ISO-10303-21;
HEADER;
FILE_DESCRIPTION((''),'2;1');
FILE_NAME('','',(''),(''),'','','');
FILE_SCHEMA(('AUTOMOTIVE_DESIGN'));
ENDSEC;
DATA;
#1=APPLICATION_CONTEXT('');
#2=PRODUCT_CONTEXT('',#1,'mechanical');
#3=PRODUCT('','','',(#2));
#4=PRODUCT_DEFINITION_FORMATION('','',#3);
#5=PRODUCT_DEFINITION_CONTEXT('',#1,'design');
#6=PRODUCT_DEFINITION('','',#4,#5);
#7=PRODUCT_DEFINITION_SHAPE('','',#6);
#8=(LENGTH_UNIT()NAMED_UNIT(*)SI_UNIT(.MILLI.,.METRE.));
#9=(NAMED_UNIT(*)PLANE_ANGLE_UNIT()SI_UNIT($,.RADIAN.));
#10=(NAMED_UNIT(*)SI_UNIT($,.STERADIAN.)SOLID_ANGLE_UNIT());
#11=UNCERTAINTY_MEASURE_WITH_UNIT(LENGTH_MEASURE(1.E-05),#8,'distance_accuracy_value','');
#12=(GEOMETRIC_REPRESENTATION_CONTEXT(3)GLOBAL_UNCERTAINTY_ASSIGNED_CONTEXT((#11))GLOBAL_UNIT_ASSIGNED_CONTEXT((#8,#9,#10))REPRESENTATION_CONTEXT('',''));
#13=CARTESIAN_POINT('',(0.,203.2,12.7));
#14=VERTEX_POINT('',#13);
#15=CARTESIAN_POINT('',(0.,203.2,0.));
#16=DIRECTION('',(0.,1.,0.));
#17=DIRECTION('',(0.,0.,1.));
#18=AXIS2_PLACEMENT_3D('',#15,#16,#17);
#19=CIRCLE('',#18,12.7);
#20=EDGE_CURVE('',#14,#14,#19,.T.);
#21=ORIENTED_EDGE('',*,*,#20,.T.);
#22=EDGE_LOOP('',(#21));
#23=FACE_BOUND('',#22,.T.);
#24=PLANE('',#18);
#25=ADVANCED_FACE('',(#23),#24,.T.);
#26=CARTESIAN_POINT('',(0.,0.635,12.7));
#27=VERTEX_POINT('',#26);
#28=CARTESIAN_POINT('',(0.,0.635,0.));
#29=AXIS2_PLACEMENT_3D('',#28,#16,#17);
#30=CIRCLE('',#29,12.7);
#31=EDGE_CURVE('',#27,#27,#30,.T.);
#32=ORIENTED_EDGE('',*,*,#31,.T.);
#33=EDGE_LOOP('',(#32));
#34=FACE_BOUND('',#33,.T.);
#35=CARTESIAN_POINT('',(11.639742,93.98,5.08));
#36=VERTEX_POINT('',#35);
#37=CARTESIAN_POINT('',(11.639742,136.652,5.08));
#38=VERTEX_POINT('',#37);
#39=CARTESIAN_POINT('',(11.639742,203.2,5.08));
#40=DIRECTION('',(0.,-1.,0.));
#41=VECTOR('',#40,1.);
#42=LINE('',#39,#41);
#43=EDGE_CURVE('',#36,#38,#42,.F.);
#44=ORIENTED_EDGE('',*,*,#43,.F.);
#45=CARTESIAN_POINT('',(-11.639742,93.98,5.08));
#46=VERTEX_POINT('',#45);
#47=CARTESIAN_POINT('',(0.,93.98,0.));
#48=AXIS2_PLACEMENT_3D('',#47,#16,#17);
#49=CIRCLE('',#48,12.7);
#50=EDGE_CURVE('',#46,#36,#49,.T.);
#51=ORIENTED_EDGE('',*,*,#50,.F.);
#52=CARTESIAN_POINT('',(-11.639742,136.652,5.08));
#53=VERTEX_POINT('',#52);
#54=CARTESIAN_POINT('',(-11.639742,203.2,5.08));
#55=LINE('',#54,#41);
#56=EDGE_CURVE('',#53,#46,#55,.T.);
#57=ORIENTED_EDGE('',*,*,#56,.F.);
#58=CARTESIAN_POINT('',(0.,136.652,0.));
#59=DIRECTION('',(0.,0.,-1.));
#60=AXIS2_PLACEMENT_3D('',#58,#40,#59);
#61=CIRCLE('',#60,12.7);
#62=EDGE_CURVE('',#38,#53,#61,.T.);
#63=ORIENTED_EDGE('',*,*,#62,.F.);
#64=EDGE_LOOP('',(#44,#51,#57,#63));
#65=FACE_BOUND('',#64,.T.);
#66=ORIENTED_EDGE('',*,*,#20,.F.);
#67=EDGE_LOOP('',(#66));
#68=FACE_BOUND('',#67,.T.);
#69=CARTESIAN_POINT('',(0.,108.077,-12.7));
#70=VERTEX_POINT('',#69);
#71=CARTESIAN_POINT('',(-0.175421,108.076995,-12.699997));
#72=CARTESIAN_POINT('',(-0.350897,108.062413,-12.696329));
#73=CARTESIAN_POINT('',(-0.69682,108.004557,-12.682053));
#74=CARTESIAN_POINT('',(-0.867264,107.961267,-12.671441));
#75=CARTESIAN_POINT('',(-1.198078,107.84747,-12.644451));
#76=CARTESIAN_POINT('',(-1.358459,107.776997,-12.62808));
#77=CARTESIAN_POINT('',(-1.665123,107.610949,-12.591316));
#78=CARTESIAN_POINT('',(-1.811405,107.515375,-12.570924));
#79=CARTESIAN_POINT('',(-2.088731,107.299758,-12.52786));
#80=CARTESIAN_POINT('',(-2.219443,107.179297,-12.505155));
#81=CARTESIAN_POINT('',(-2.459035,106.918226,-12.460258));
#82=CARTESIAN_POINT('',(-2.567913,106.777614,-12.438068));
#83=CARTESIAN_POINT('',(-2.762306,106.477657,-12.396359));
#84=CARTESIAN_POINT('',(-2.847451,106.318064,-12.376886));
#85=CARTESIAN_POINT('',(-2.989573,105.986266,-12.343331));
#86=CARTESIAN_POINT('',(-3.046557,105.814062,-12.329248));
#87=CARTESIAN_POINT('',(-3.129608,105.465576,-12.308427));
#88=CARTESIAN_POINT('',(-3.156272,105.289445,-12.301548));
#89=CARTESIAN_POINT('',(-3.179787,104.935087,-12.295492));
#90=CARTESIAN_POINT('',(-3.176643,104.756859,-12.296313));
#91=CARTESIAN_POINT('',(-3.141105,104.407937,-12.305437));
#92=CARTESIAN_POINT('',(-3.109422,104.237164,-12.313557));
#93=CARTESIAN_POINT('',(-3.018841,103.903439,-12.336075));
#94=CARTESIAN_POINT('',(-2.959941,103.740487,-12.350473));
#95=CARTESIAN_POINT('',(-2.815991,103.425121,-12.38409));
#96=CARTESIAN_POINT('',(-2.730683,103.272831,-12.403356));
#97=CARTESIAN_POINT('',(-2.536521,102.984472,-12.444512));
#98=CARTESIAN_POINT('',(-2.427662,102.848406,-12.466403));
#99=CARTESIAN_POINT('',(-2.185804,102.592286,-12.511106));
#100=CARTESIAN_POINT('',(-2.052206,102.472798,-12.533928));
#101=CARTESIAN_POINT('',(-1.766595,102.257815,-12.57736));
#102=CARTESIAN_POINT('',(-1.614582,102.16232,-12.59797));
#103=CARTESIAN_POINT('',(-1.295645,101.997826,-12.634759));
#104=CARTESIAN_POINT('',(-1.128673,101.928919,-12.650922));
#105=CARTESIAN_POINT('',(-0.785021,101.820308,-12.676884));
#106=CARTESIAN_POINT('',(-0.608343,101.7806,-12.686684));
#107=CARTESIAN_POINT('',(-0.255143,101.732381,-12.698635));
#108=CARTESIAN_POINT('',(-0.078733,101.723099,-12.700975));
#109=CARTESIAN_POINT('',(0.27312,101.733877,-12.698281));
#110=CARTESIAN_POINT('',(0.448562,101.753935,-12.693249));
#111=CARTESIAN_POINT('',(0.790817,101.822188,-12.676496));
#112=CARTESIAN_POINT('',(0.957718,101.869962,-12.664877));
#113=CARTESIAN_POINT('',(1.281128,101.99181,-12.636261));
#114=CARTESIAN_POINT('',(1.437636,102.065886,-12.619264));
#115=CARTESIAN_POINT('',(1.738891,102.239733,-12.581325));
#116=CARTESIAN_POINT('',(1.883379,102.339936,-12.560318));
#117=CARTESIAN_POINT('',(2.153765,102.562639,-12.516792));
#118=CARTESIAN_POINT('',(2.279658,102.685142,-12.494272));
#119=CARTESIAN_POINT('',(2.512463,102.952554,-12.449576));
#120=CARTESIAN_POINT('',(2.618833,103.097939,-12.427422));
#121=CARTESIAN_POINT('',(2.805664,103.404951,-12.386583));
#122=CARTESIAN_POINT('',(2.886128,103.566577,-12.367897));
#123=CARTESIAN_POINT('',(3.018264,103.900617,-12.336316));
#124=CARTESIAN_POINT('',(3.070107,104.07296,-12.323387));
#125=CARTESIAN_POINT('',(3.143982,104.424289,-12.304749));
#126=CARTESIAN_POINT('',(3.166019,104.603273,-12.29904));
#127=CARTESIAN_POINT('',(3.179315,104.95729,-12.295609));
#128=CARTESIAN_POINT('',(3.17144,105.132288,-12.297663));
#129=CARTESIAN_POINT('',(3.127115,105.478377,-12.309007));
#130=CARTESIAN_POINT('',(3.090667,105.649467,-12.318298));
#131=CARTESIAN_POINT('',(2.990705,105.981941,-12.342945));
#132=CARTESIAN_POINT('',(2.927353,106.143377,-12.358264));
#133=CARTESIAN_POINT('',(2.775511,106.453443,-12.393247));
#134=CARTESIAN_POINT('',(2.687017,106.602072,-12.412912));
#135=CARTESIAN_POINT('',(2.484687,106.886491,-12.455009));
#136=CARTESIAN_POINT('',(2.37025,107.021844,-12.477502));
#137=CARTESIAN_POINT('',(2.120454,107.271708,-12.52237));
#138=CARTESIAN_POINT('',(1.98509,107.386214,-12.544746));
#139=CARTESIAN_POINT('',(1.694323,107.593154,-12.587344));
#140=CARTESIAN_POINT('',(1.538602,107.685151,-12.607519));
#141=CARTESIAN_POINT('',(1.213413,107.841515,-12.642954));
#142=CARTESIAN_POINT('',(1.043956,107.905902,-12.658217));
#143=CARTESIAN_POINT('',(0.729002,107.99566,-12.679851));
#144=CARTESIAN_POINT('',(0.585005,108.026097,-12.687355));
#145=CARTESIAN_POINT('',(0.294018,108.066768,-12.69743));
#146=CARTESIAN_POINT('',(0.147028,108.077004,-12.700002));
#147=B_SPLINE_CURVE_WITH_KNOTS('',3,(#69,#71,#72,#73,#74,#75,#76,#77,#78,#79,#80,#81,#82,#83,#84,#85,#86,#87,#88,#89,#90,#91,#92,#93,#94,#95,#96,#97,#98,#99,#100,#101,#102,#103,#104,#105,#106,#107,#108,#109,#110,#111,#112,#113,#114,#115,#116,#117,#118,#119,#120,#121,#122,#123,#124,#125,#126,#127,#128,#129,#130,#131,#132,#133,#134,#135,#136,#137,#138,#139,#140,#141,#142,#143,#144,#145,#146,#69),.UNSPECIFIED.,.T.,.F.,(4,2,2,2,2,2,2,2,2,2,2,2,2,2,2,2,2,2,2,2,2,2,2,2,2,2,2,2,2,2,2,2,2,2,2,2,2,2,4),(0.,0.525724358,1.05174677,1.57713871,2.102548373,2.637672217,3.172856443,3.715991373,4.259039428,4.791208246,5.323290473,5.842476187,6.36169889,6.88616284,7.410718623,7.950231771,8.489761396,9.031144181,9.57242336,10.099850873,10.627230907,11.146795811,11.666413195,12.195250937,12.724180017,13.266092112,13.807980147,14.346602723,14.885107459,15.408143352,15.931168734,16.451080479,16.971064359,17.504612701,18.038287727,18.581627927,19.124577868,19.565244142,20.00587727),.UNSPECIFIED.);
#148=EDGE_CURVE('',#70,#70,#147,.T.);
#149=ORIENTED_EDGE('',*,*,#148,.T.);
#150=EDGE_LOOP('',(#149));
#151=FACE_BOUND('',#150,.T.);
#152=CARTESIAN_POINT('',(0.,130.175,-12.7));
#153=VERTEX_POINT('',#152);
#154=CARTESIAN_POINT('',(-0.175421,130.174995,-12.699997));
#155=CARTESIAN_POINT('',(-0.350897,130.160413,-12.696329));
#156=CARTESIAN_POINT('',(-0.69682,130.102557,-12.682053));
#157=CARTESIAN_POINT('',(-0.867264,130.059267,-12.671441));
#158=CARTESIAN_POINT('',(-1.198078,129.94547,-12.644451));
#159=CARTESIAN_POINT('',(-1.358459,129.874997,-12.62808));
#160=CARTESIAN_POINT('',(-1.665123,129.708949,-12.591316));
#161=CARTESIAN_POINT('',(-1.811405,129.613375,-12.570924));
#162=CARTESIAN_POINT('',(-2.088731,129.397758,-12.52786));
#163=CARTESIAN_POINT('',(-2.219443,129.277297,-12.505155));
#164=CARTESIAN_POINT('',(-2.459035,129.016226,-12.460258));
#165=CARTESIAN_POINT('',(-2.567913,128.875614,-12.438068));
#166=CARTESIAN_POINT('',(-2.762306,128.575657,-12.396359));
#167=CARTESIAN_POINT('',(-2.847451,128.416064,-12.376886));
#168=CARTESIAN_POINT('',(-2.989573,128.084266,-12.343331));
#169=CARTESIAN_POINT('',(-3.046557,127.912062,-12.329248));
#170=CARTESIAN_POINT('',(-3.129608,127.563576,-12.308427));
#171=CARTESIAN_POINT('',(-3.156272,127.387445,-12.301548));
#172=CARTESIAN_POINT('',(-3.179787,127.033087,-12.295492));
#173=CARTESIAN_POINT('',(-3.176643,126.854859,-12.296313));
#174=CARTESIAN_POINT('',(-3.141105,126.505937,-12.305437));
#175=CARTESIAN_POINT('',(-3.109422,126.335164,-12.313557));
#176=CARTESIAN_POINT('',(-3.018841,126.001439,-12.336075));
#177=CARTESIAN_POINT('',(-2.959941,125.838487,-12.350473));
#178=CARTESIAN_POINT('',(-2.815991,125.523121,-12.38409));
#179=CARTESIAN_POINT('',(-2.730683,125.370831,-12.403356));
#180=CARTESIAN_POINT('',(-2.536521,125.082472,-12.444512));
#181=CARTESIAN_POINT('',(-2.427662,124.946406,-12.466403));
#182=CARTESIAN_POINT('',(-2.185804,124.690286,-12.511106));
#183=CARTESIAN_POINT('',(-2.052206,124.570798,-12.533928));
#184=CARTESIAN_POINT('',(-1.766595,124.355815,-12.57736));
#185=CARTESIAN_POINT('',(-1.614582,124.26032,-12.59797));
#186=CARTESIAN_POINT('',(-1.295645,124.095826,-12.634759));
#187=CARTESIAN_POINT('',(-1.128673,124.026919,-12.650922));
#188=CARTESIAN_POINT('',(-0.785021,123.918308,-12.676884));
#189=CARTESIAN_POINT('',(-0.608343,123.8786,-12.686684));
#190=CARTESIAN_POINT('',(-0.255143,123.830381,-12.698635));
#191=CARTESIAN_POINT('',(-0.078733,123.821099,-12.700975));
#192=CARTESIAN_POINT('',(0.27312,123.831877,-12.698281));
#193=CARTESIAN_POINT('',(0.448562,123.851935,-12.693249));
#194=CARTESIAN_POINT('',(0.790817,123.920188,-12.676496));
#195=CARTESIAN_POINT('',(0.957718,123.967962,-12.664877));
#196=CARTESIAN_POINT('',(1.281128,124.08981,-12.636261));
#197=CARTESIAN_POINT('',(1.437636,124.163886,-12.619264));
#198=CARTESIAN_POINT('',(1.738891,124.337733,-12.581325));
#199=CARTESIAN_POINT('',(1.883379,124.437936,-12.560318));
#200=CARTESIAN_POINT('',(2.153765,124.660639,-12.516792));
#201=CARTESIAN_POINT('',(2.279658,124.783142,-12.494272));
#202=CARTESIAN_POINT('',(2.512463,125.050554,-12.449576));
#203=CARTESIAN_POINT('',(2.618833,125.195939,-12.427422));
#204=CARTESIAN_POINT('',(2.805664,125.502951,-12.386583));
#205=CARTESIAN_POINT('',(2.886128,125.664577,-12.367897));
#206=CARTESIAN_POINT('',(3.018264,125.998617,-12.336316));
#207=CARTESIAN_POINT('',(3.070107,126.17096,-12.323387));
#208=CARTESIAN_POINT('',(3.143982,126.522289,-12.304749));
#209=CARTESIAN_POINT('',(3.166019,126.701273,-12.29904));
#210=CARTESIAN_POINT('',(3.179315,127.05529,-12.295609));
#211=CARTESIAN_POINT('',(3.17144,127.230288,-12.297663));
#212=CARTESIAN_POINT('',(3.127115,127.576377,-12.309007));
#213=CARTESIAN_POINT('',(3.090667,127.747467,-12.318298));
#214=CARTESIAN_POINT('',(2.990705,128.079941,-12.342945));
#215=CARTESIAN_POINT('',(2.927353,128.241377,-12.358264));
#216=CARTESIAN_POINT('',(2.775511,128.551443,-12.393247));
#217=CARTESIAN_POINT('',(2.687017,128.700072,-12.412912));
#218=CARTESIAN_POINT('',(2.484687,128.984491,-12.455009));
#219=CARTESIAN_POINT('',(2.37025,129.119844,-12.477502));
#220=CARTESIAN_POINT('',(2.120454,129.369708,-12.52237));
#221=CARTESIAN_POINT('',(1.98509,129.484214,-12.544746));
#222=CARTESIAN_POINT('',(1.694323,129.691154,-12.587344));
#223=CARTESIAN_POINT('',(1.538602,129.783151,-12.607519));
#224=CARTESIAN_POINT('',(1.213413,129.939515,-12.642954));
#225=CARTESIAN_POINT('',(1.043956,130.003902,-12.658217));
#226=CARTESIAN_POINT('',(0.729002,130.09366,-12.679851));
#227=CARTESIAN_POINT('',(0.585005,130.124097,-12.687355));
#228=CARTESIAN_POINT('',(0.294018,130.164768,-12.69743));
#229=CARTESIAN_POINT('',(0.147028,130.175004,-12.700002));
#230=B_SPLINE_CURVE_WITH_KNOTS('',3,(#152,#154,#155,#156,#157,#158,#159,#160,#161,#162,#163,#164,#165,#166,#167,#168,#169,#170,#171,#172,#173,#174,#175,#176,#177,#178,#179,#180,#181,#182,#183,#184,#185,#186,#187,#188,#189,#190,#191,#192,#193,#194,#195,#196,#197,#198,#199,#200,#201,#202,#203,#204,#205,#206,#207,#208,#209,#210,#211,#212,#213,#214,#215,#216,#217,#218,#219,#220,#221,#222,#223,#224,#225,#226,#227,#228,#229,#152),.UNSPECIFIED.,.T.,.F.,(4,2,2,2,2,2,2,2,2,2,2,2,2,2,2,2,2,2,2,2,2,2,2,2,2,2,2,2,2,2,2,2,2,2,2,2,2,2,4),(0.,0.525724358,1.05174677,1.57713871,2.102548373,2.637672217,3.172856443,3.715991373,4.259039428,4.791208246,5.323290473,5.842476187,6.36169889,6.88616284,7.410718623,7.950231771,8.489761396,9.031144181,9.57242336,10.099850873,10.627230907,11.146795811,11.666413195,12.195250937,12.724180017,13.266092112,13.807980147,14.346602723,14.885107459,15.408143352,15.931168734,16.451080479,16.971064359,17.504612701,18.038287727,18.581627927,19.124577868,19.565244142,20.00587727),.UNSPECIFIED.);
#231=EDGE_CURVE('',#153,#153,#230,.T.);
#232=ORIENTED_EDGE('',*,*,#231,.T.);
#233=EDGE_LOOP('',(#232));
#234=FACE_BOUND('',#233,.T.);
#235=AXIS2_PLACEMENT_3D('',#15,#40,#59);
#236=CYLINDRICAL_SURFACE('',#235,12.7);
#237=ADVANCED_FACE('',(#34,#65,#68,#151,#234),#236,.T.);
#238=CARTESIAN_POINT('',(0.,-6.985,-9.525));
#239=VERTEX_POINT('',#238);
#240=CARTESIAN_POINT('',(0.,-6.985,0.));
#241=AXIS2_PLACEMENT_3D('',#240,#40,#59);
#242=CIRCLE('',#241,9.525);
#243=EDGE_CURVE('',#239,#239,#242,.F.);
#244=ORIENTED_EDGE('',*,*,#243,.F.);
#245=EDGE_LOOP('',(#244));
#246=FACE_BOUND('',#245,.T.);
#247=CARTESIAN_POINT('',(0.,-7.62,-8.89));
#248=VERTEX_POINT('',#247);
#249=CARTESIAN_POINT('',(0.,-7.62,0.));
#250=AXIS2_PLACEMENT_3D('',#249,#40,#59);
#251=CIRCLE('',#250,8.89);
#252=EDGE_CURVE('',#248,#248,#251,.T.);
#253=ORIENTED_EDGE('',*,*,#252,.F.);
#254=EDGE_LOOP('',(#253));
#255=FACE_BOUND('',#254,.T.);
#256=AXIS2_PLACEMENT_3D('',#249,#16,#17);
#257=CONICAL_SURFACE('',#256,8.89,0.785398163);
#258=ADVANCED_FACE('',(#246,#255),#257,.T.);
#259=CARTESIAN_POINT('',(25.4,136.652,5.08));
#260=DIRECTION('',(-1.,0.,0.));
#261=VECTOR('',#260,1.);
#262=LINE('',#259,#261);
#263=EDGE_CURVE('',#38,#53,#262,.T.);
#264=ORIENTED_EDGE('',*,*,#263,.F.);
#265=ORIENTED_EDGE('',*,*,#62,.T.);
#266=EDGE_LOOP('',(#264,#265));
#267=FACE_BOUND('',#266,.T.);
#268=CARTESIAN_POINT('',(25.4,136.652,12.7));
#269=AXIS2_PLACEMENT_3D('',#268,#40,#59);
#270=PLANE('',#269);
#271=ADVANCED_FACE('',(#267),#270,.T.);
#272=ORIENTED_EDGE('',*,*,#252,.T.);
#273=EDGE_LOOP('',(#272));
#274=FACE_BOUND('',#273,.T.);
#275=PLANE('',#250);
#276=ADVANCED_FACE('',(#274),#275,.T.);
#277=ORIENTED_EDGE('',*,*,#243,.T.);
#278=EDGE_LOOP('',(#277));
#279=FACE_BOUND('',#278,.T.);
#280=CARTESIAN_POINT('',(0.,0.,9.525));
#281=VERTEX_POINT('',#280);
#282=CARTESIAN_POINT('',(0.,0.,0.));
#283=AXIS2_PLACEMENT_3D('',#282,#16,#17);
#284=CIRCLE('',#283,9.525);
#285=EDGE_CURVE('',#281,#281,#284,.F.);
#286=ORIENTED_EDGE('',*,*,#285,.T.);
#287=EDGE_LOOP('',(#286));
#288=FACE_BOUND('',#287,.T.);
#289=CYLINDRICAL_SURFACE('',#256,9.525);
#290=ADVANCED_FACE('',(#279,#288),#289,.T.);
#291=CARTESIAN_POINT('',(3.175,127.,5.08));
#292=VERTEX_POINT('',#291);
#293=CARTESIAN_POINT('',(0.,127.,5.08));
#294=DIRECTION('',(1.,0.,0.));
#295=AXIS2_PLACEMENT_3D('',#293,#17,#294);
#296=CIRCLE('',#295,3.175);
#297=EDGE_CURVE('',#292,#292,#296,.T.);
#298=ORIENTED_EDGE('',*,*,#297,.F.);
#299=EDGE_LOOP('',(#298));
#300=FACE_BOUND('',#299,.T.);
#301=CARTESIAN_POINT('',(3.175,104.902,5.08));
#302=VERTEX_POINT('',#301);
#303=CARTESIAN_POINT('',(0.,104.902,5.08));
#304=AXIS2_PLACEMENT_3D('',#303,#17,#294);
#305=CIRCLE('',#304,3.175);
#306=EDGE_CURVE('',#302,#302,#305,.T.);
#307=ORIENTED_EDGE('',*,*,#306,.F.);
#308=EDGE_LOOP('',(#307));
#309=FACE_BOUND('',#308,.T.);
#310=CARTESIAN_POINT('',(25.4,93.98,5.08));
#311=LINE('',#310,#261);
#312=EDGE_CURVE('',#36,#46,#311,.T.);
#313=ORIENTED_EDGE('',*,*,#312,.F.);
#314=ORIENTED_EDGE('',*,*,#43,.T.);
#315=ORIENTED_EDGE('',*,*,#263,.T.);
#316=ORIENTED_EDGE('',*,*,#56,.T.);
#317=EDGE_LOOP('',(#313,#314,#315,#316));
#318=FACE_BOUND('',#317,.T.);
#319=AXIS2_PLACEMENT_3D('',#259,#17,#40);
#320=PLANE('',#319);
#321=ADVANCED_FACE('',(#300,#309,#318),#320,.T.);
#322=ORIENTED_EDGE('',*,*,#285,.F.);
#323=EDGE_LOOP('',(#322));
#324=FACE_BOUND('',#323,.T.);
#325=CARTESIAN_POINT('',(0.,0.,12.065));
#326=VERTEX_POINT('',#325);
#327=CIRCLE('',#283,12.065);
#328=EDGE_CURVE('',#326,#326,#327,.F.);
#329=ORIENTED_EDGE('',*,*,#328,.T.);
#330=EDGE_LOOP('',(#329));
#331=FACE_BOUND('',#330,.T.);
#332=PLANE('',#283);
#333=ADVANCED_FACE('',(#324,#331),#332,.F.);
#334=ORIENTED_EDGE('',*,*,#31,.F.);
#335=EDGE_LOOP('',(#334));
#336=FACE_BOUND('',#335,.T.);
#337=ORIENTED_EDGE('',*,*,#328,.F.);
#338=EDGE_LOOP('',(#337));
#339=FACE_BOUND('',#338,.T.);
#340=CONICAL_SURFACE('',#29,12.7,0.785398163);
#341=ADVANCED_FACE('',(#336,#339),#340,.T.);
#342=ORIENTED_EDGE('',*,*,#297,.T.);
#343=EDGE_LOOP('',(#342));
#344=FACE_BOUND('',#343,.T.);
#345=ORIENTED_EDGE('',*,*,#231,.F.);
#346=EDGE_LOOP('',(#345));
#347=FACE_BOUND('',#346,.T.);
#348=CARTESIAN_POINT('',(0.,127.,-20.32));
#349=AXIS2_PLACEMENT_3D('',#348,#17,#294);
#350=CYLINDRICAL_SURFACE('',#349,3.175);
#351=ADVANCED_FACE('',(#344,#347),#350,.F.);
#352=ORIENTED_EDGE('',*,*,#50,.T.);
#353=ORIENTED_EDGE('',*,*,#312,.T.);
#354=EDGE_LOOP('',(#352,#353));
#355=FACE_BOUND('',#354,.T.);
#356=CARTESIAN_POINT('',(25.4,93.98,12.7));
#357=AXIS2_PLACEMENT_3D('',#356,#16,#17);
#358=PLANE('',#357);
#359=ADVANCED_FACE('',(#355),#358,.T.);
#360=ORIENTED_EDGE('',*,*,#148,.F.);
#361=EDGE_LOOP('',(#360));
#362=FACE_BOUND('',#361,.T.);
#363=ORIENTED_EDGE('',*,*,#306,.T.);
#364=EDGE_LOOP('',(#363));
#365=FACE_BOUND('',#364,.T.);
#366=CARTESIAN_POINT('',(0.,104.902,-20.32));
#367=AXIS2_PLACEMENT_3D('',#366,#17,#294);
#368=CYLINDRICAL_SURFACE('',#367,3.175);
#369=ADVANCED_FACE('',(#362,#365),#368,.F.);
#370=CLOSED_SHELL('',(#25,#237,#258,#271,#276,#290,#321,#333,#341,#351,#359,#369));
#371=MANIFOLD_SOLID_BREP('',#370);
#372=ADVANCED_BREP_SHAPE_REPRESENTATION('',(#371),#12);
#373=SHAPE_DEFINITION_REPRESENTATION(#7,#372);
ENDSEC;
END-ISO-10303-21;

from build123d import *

# Parameters (mm, degrees)
SKETCH1_R               = 12.7
BOSS_EXTRUDE1_DEPTH     = 203.2
SKETCH2_R               = 9.525
BOSS_EXTRUDE2_DEPTH     = 7.62
CHAMFER1_SIZE           = 0.635
CUT_EXTRUDE1_DEPTH      = 25.4
CUT_EXTRUDE1_DEPTH_BACK = 25.4
SKETCH4_W               = 7.62
SKETCH4_H               = 42.672
SKETCH5_R               = 3.175
CUT_EXTRUDE2_DEPTH      = 25.4


with BuildPart() as part:
    # Sketch1 → Boss-Extrude1 (new body)
    with BuildSketch(Plane(origin=(0, 0, 0), x_dir=(1, 0, 0), z_dir=(0, 1, 0))):
        Circle(SKETCH1_R)
    extrude(amount=BOSS_EXTRUDE1_DEPTH)

    # Sketch2 → Boss-Extrude2 (add)
    with BuildSketch(Plane(origin=(0, 0, 0), x_dir=(-1, 0, 0), z_dir=(0, -1, 0))):
        Circle(SKETCH2_R)
    extrude(amount=BOSS_EXTRUDE2_DEPTH)

    # Chamfer1
    chamfer1_edges = [part.edges().sort_by_distance(p)[0] for p in [
        (-12.7, 0, 0),
        (9.525, -7.62, 0),
    ]]
    chamfer(chamfer1_edges, length=CHAMFER1_SIZE)

    # Sketch4 → Cut-Extrude1 (cut, two sides: drawn at the far end of the back side and taken through both)
    with BuildSketch(Plane(origin=(0, 0, 0), x_dir=(0, 0, -1), z_dir=(1, 0, 0)).offset(-CUT_EXTRUDE1_DEPTH_BACK)):
        with Locations((-8.89, 115.316)):
            Rectangle(SKETCH4_W, SKETCH4_H)
    extrude(amount=CUT_EXTRUDE1_DEPTH + CUT_EXTRUDE1_DEPTH_BACK, mode=Mode.SUBTRACT)

    # Sketch5 → Cut-Extrude2 (cut)
    with BuildSketch(Plane.XY.offset(5.08)):
        with Locations((0, 104.902)):
            Circle(SKETCH5_R)
        with Locations((0, 127)):
            Circle(SKETCH5_R)
    extrude(amount=-CUT_EXTRUDE2_DEPTH, mode=Mode.SUBTRACT)


solid = part.part
